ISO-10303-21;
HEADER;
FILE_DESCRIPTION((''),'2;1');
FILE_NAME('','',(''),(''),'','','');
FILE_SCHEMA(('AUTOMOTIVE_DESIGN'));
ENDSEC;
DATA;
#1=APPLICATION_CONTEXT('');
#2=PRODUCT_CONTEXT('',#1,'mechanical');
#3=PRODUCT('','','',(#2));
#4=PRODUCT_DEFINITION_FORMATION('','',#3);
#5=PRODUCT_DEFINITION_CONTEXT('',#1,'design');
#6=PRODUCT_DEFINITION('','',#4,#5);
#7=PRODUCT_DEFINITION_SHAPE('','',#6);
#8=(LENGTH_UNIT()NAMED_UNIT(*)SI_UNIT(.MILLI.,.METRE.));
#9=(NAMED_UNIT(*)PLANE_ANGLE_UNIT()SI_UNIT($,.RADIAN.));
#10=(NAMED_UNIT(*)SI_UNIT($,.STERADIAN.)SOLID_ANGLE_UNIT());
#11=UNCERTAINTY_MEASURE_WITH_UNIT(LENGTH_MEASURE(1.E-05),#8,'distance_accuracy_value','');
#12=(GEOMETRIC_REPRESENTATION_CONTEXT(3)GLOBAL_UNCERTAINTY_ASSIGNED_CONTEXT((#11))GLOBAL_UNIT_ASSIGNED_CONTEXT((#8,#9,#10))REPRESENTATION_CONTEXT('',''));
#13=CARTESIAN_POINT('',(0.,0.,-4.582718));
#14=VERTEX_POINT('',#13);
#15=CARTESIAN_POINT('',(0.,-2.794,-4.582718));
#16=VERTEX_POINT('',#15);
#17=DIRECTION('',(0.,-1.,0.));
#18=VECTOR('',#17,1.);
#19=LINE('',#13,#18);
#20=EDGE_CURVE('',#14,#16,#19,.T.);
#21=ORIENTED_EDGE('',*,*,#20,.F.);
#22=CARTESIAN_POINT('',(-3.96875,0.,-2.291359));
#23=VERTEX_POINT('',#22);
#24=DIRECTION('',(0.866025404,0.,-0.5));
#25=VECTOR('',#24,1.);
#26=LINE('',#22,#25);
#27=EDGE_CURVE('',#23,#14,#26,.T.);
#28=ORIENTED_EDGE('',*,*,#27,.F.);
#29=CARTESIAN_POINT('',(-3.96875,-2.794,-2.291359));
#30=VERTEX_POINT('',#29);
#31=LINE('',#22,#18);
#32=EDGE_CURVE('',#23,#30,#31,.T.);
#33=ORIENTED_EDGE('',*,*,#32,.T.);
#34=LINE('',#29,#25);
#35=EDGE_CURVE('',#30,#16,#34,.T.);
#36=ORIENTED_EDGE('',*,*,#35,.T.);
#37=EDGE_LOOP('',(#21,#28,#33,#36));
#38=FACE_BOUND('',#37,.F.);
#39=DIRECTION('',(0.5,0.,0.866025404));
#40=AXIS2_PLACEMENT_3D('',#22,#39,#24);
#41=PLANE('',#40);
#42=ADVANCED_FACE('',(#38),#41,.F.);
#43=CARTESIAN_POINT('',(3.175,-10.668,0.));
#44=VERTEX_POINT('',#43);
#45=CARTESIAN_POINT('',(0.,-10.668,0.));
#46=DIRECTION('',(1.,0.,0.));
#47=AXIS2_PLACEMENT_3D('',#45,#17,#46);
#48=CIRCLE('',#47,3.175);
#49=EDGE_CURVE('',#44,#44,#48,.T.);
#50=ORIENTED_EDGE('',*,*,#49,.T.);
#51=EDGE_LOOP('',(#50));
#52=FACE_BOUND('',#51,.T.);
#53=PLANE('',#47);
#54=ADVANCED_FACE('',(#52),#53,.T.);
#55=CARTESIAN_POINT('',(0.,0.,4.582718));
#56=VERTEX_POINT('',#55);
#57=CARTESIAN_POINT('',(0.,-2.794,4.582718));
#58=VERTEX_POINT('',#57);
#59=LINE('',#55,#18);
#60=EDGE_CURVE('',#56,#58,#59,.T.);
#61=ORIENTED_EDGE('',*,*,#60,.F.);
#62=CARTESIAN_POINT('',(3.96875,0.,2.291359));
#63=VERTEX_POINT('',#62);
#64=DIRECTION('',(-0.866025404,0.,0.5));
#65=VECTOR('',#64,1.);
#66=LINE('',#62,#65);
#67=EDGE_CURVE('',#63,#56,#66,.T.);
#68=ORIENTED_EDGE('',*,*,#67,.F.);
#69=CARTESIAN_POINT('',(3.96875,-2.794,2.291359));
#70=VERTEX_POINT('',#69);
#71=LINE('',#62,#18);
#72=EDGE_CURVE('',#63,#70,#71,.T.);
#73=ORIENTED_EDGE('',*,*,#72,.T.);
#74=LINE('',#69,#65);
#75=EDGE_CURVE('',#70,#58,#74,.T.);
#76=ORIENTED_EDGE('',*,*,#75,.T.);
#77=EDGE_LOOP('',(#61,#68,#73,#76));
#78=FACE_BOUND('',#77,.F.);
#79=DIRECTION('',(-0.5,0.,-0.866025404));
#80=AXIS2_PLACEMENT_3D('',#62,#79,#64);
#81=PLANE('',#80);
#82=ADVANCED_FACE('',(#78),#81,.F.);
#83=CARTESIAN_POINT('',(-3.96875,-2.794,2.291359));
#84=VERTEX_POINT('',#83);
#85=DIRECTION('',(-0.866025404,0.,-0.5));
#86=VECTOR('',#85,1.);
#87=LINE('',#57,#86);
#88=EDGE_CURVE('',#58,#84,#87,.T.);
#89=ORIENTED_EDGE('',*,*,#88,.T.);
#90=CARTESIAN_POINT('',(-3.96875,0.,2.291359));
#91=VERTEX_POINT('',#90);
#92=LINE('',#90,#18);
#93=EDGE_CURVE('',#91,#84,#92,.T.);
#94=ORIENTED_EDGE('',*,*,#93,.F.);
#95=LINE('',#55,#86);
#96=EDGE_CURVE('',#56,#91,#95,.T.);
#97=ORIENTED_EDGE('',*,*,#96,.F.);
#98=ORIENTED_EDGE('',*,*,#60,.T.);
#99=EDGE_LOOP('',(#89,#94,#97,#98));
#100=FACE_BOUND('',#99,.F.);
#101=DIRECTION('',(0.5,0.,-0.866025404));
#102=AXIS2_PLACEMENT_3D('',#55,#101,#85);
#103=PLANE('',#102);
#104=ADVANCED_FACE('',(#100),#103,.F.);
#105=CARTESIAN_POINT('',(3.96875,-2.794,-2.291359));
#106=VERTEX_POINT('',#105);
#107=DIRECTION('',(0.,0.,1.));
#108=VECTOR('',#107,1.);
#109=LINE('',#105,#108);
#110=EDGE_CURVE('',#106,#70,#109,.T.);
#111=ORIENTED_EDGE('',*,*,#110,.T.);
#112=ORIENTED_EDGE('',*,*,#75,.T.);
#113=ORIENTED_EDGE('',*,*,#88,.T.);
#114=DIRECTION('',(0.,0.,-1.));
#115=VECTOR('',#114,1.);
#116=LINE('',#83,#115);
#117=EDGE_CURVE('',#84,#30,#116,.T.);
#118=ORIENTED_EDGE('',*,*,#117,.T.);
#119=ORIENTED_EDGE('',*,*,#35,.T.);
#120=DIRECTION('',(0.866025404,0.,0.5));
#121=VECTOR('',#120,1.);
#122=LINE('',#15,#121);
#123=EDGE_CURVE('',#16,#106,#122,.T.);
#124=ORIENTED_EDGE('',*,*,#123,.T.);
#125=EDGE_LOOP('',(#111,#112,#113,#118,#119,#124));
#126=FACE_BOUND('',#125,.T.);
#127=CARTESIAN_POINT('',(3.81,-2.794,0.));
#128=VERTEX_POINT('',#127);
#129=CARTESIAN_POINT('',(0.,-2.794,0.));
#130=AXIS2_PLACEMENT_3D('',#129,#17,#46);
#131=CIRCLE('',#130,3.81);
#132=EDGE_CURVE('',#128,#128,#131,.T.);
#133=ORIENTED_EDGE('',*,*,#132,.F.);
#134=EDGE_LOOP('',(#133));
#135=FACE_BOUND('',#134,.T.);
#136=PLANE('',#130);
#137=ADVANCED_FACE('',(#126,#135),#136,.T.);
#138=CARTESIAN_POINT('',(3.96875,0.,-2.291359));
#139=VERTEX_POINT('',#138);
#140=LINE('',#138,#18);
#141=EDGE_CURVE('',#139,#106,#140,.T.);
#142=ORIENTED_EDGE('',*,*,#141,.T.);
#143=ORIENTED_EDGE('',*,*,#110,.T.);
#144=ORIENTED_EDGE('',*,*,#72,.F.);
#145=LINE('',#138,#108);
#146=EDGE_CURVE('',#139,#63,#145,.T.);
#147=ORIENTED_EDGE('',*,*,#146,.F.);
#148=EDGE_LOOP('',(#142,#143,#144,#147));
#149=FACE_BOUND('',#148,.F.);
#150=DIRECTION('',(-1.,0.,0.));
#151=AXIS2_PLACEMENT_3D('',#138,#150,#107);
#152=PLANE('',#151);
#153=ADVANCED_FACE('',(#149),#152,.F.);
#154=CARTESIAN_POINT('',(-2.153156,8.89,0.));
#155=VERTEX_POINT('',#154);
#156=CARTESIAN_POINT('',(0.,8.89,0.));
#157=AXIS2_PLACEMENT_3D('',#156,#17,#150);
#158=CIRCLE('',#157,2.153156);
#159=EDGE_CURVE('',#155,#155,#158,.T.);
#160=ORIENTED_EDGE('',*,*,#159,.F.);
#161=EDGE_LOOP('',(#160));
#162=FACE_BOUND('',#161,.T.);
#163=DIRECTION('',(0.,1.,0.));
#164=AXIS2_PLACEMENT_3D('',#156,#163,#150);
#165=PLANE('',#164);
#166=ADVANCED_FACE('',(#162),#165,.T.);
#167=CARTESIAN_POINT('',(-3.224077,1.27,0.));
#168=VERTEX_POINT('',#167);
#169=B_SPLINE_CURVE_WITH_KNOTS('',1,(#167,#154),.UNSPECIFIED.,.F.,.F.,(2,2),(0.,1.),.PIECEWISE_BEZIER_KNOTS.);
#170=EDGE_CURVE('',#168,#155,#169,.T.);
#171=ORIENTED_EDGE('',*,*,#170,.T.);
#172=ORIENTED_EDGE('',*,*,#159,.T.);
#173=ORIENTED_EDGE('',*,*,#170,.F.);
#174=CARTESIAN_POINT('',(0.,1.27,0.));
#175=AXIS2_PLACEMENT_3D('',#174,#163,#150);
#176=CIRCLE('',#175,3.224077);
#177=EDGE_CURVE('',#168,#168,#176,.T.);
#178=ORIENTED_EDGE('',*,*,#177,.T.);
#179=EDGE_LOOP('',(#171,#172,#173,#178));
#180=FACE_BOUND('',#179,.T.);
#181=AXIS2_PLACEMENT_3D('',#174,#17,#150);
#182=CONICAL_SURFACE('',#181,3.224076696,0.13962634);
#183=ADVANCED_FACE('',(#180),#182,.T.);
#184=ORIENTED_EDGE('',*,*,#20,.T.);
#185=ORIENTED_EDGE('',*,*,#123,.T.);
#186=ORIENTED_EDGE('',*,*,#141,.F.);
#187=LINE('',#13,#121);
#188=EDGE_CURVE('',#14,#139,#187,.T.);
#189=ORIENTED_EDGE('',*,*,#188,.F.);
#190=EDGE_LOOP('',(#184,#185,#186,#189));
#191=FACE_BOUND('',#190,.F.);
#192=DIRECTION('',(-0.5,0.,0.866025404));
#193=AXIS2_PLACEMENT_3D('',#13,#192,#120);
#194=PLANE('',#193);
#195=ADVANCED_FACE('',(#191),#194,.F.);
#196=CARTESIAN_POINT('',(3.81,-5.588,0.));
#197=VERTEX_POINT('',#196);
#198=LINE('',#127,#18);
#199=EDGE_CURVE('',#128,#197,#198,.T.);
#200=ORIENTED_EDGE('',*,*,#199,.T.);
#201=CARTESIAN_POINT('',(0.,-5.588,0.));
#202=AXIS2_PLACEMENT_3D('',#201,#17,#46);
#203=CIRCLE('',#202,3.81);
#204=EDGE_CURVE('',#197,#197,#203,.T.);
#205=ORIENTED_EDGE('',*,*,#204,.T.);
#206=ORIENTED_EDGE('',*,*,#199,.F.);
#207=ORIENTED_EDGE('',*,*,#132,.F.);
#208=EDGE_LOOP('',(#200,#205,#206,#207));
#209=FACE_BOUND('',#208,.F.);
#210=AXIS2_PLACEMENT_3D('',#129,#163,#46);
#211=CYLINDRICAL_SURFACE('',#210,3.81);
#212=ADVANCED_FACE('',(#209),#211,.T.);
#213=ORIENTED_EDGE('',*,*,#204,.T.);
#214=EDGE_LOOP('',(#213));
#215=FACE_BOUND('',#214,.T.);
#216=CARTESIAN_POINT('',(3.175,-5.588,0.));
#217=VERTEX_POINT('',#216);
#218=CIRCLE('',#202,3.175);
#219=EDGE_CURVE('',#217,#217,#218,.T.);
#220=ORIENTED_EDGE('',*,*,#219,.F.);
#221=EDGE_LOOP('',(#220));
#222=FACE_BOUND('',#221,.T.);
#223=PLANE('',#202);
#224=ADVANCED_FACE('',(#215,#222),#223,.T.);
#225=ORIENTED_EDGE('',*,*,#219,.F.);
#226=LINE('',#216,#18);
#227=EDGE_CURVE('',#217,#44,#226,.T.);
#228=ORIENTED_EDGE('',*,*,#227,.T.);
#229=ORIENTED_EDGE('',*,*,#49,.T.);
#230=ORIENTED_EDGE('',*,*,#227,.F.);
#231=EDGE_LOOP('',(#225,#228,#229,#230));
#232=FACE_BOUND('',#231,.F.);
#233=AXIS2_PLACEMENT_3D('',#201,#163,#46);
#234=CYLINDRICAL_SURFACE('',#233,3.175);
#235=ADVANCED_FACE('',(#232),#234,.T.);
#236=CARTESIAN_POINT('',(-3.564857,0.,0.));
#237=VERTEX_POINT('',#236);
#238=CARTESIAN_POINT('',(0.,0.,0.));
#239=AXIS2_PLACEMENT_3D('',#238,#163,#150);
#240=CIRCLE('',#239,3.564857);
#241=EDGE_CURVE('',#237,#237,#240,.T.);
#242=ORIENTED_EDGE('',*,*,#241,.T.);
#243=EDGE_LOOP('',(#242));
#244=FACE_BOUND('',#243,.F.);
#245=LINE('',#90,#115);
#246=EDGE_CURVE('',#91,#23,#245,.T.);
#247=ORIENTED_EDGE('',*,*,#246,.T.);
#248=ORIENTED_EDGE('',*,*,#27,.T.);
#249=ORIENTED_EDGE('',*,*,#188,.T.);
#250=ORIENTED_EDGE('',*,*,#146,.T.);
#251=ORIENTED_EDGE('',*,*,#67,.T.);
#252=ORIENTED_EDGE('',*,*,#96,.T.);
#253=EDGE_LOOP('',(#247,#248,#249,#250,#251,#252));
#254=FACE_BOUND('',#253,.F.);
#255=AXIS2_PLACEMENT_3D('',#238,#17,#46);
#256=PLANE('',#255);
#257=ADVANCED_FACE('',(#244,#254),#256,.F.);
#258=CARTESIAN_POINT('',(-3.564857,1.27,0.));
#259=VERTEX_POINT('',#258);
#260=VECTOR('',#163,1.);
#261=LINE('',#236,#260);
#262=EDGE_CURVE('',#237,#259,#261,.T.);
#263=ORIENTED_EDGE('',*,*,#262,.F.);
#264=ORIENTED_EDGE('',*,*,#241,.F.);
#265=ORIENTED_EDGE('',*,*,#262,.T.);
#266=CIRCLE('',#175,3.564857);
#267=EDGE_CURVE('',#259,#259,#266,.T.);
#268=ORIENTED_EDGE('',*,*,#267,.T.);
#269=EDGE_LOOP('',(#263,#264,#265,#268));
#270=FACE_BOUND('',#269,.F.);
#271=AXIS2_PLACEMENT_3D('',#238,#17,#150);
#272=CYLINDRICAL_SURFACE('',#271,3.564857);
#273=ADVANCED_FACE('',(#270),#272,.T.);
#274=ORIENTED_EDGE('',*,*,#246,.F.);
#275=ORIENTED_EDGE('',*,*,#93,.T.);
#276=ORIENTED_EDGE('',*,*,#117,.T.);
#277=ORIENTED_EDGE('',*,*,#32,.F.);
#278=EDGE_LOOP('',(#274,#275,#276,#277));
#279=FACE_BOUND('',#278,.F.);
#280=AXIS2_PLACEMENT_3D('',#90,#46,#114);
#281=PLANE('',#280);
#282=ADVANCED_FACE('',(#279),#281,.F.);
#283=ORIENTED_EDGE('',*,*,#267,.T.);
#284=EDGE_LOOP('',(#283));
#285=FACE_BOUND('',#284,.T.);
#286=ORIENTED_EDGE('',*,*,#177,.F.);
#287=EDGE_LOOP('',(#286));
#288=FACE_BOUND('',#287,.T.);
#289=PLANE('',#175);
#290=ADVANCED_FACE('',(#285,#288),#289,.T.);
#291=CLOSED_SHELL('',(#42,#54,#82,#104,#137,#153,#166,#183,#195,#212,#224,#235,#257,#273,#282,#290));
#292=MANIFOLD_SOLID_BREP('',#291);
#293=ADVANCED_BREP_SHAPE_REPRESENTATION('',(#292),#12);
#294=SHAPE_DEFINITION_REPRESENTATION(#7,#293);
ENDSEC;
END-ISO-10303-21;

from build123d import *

# Parameters (mm, degrees)
F1_DEPTH = 2.794
F2_R     = 3.81
F3_DEPTH = 2.794
F4_R     = 3.175
F5_DEPTH = 5.08
F6_R     = 3.5648567011
F7_DEPTH = 1.27
F8_R     = 3.2240766962
F9_DEPTH = 7.62
F9_TAPER = 8


with BuildPart() as f1:
    # F0 (on Front) → F1 (new body)
    with BuildSketch(Plane.XZ):
        Polygon((3.96875, -2.2913588808), (3.96875, 2.2913588808), (0, 4.5827177617), (-3.96875, 2.2913588808), (-3.96875, -2.2913588808), (0, -4.5827177617), align=None)
    extrude(amount=F1_DEPTH)

    # F2 (on face) → F3 (join)
    with BuildSketch(Plane.XZ.offset(2.794)):
        Circle(F2_R)
    extrude(amount=F3_DEPTH)

    # F4 (on face) → F5 (join)
    with BuildSketch(Plane.XZ.offset(5.588)):
        Circle(F4_R)
    extrude(amount=F5_DEPTH)

    # F6 (on face) → F7 (join)
    with BuildSketch(Plane(origin=(0, 0, 0), x_dir=(-1, 0, 0), z_dir=(0, 1, 0))):
        Circle(F6_R)
    extrude(amount=F7_DEPTH)

    # F8 (on face) → F9 (join)
    with BuildSketch(Plane(origin=(0, 1.27, 0), x_dir=(-1, 0, 0), z_dir=(0, 1, 0))):
        Circle(F8_R)
    extrude(amount=F9_DEPTH, taper=F9_TAPER)


solid = f1.part
